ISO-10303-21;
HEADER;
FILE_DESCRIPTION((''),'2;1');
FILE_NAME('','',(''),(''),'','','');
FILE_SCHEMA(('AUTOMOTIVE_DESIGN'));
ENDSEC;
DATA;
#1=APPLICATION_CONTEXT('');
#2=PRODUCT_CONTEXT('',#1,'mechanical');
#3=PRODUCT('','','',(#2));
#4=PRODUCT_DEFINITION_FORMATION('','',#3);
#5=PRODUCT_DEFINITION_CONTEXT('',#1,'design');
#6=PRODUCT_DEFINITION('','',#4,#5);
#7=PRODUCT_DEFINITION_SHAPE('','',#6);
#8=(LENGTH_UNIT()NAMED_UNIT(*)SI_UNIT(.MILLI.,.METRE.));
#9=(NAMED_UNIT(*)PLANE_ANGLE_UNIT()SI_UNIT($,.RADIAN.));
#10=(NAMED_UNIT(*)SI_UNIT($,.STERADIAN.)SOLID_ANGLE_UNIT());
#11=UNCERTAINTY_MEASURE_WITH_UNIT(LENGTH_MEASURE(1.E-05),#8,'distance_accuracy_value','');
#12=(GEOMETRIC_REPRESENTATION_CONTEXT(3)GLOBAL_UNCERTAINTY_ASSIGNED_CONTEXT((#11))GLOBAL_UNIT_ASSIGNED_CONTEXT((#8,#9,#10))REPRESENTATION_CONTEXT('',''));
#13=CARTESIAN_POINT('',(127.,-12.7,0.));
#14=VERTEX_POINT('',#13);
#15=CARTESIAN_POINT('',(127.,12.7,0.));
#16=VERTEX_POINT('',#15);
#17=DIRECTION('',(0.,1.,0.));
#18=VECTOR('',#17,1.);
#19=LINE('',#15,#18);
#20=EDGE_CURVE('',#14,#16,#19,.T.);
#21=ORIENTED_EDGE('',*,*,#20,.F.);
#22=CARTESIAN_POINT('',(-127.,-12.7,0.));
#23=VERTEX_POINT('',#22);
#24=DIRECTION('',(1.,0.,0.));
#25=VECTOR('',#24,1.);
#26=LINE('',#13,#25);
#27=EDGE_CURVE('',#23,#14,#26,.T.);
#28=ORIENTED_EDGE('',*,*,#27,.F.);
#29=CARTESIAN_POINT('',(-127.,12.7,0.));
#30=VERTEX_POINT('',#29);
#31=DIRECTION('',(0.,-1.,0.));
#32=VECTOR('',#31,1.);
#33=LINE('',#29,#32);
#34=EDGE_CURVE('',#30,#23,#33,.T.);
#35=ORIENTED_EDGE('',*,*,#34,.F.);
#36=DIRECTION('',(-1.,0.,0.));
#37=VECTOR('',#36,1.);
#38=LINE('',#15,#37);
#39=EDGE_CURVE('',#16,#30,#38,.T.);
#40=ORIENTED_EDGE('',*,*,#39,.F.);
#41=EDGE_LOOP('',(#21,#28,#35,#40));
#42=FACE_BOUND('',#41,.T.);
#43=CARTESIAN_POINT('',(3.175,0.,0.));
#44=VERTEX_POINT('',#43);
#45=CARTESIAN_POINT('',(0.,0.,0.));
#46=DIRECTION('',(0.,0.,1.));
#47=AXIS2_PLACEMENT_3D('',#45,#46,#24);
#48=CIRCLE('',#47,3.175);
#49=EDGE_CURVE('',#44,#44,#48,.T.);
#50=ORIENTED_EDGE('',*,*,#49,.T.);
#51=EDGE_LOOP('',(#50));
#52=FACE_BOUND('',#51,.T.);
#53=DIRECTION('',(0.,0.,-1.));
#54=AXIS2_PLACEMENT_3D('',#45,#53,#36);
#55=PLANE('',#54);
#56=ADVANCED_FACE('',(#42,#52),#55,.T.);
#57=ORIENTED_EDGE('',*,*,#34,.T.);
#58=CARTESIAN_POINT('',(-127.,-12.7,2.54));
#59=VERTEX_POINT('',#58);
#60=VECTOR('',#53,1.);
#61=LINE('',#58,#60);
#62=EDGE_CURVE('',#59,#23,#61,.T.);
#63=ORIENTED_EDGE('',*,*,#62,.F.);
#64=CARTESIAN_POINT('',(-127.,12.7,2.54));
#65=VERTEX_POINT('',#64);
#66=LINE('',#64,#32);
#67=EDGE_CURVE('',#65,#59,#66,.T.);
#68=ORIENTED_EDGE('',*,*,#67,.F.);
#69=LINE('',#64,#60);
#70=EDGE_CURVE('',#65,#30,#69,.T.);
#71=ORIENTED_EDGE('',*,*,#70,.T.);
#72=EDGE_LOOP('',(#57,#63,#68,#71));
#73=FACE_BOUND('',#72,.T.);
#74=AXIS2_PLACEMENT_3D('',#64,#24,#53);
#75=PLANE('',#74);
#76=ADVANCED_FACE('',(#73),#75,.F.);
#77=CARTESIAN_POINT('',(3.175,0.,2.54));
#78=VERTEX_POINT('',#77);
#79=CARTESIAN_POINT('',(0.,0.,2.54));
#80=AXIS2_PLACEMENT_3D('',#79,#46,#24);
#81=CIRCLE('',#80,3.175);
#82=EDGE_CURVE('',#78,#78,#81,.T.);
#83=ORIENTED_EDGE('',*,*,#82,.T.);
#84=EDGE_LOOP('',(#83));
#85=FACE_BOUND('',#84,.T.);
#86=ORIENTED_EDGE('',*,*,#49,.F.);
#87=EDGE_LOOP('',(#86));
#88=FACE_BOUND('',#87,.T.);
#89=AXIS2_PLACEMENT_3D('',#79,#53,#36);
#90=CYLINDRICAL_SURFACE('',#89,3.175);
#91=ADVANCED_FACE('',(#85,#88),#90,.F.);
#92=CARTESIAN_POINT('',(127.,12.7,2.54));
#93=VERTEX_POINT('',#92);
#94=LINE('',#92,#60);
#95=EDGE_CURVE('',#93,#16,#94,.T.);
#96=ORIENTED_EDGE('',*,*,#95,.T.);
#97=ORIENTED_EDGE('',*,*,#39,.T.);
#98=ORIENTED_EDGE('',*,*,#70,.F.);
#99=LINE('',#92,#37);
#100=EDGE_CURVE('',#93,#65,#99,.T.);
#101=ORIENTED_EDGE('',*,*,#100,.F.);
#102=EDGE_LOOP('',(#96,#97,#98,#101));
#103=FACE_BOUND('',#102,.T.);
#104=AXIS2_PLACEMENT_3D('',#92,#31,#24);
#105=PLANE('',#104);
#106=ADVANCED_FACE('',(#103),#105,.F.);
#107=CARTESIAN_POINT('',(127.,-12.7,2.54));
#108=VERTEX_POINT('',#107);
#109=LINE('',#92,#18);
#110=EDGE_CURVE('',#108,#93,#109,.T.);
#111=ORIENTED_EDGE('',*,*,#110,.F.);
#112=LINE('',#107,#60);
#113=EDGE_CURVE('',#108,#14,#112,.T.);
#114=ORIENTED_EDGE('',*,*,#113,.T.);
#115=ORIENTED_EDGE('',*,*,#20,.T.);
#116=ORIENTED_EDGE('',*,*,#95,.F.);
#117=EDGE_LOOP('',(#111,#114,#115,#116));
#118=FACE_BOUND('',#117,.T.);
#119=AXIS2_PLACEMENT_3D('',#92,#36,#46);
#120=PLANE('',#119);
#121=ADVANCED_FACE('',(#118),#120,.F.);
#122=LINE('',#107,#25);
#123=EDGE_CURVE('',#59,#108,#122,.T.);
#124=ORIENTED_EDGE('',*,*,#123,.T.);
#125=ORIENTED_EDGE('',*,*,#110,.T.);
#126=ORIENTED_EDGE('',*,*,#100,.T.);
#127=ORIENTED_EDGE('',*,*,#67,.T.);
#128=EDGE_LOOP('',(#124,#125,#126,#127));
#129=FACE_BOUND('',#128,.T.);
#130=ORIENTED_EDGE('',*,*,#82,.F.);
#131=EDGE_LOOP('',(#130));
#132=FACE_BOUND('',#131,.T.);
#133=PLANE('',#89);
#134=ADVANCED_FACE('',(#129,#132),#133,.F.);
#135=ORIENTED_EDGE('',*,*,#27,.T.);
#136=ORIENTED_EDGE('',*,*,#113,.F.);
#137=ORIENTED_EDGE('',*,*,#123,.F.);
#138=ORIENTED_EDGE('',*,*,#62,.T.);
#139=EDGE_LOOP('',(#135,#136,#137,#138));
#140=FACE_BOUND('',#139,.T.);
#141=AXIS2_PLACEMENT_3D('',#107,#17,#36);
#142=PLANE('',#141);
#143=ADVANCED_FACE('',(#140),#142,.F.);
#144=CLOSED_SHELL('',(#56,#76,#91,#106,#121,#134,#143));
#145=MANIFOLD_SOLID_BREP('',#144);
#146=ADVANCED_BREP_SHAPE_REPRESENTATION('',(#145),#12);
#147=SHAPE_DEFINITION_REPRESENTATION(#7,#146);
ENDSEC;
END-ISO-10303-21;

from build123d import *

# Parameters (mm, degrees)
SKETCH1_W           = 254
SKETCH1_H           = 25.4
SKETCH1_R           = 3.175
BOSS_EXTRUDE1_DEPTH = 2.54


with BuildPart() as part:
    # Sketch1 → Boss-Extrude1 (new body)
    with BuildSketch(Plane.XY):
        Rectangle(SKETCH1_W, SKETCH1_H)
        Circle(SKETCH1_R, mode=Mode.SUBTRACT)
    extrude(amount=BOSS_EXTRUDE1_DEPTH)


solid = part.part
